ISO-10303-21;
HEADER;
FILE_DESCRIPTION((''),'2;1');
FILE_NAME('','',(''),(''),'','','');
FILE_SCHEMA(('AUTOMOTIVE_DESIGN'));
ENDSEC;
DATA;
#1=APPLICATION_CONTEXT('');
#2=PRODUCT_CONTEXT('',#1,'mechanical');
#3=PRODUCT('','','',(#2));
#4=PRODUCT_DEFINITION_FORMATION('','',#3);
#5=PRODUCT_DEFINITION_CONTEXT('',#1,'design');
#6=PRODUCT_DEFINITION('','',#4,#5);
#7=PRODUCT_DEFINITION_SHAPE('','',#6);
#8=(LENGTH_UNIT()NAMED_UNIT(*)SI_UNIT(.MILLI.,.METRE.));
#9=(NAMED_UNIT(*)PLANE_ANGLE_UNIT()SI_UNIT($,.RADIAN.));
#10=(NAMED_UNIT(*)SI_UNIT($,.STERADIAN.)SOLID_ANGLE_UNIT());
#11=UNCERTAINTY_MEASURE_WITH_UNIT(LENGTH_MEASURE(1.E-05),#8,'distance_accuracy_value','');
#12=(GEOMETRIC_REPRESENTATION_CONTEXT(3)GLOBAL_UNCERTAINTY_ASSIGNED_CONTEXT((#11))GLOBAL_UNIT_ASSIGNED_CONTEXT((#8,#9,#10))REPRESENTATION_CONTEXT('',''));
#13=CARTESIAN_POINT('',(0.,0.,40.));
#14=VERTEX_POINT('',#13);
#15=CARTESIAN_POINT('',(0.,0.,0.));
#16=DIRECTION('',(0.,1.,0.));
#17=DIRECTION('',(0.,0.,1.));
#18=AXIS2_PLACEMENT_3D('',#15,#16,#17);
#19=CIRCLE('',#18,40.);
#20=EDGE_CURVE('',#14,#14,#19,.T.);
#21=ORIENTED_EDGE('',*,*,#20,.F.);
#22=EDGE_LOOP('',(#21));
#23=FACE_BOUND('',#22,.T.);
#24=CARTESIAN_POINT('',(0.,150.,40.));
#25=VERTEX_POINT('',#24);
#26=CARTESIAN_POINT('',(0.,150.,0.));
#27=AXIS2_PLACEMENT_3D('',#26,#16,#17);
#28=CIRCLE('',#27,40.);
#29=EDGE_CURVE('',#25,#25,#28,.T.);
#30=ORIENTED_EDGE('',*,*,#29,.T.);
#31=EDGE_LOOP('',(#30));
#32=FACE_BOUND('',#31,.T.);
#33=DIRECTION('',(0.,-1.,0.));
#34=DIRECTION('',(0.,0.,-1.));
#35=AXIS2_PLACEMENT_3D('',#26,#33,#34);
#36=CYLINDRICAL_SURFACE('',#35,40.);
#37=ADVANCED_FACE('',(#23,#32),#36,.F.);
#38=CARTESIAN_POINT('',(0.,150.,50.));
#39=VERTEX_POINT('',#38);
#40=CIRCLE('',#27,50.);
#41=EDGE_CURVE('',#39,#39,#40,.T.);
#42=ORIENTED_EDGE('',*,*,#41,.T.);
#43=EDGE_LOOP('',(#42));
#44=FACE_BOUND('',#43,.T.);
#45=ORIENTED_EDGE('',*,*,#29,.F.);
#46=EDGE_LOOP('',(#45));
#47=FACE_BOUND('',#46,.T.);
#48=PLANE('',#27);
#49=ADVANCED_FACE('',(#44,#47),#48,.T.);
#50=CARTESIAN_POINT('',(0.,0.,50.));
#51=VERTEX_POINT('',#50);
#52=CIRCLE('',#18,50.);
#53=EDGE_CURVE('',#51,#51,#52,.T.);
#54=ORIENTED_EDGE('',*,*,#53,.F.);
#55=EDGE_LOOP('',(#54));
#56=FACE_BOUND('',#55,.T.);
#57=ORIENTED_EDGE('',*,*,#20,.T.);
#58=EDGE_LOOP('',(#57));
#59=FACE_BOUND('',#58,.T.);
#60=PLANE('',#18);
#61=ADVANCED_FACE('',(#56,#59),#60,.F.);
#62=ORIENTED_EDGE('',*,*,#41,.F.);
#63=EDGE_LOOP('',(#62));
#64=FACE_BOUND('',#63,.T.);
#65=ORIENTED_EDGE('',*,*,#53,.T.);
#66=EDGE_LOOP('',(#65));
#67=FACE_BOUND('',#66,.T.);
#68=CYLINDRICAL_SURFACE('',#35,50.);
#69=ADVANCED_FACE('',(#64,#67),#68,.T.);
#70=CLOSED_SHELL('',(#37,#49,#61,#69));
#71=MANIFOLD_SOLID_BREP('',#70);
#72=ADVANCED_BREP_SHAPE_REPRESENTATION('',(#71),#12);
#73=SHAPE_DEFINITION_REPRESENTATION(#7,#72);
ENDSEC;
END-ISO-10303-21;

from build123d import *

# Parameters (mm, degrees)
SKETCH_1_R      = 50
SKETCH_1_R_2    = 40
EXTRUDE_1_DEPTH = 150


with BuildPart() as part:
    # Эскиз1 → Бобышка-Вытянуть1 (new body)
    with BuildSketch(Plane(origin=(0, 0, 0), x_dir=(1, 0, 0), z_dir=(0, 1, 0))):
        with Locations(Location((0, 0, 0), (0, 0, 270))):
            Circle(SKETCH_1_R)
        with Locations(Location((0, 0, 0), (0, 0, 270))):
            Circle(SKETCH_1_R_2, mode=Mode.SUBTRACT)
    extrude(amount=EXTRUDE_1_DEPTH)


solid = part.part
